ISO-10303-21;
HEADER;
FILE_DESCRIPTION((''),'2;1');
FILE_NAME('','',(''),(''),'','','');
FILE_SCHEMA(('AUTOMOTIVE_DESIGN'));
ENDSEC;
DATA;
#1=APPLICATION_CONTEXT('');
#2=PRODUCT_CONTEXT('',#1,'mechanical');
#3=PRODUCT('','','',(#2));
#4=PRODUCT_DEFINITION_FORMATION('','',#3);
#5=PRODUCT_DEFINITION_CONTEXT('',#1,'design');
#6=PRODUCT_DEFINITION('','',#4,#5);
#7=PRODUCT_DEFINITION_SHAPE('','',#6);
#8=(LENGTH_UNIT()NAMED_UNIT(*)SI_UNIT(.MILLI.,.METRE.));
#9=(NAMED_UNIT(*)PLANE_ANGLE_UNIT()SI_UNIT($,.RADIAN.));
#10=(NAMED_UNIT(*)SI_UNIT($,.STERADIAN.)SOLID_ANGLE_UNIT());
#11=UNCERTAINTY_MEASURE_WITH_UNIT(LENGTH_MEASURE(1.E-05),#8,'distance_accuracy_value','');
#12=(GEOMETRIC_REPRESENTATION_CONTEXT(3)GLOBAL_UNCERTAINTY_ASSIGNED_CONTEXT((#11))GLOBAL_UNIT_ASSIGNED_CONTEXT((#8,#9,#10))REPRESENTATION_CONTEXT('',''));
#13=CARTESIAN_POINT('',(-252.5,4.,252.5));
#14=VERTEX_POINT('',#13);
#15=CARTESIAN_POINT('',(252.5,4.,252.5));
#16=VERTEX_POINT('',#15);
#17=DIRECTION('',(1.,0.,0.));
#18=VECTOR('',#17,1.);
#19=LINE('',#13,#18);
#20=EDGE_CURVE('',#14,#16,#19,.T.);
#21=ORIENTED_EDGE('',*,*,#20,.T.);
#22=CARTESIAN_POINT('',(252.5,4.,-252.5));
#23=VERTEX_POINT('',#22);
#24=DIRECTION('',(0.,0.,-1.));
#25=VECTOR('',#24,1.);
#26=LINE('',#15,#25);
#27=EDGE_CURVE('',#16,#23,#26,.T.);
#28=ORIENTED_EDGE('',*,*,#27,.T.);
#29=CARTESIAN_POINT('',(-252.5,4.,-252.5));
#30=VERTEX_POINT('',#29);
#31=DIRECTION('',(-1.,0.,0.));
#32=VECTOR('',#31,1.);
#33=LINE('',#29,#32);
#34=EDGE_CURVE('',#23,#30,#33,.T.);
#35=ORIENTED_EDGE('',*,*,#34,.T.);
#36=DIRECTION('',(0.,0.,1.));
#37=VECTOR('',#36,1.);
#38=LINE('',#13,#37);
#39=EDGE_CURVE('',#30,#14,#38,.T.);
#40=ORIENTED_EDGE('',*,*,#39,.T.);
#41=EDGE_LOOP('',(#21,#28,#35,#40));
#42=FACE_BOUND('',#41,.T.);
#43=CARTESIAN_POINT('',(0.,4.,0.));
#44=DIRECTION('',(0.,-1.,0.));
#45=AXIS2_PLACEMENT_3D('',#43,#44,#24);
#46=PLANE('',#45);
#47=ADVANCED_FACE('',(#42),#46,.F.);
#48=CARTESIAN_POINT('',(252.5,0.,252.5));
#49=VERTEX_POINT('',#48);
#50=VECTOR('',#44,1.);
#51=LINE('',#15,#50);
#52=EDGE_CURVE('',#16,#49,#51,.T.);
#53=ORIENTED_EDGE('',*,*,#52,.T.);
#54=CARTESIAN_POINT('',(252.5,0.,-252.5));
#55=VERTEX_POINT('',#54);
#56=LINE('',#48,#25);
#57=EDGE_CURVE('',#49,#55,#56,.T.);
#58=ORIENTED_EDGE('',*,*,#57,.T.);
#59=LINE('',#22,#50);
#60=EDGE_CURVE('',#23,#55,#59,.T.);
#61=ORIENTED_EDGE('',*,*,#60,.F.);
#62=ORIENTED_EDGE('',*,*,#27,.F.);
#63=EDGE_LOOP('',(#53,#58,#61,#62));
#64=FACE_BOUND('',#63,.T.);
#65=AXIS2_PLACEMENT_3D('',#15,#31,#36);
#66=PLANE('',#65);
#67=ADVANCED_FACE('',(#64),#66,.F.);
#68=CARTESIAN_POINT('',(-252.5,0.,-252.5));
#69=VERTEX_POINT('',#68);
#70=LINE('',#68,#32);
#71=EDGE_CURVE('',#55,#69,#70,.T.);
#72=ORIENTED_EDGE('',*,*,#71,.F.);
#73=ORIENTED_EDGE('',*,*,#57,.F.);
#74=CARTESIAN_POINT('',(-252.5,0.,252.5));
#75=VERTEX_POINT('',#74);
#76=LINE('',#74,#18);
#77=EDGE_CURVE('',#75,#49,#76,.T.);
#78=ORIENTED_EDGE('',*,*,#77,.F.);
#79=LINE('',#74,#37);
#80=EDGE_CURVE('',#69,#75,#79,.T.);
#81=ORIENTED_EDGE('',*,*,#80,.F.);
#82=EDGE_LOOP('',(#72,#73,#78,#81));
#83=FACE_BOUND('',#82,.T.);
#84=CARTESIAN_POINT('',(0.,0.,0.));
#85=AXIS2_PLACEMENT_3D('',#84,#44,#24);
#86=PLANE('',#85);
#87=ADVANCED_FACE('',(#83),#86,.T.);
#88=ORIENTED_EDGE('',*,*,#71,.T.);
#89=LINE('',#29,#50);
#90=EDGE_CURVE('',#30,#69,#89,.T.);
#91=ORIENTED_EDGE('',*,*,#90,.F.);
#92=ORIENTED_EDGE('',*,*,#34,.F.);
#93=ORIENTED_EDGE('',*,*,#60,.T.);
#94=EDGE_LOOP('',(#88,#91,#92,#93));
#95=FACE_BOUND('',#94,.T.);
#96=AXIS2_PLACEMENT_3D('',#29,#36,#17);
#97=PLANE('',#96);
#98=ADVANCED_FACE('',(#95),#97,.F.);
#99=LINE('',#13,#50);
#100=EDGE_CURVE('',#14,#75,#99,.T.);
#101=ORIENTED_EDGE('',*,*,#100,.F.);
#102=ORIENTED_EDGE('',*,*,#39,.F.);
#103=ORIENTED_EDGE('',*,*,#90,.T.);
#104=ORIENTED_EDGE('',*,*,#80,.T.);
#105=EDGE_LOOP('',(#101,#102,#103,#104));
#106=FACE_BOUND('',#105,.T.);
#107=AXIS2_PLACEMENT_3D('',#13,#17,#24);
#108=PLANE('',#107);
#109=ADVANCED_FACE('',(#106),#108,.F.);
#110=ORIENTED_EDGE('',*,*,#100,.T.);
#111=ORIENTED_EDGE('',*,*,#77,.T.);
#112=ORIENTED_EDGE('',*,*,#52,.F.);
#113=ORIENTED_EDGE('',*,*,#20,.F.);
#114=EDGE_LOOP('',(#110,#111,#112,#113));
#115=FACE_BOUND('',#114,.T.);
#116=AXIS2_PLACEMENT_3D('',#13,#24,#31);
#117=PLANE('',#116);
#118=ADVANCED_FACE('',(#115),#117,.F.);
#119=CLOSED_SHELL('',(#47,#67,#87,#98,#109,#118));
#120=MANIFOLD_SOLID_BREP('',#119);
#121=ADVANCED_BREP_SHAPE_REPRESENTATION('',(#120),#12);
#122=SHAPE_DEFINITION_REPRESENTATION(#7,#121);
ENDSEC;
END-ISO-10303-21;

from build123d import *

# Parameters (mm, degrees)
ESQUISSE1_W        = 505
ESQUISSE1_H        = 505
BOSS_EXTRU_1_DEPTH = 4


with BuildPart() as part:
    # Esquisse1 → Boss.-Extru.1 (new body)
    with BuildSketch(Plane(origin=(0, 0, 0), x_dir=(1, 0, 0), z_dir=(0, 1, 0))):
        Rectangle(ESQUISSE1_W, ESQUISSE1_H)
    extrude(amount=BOSS_EXTRU_1_DEPTH)


solid = part.part
